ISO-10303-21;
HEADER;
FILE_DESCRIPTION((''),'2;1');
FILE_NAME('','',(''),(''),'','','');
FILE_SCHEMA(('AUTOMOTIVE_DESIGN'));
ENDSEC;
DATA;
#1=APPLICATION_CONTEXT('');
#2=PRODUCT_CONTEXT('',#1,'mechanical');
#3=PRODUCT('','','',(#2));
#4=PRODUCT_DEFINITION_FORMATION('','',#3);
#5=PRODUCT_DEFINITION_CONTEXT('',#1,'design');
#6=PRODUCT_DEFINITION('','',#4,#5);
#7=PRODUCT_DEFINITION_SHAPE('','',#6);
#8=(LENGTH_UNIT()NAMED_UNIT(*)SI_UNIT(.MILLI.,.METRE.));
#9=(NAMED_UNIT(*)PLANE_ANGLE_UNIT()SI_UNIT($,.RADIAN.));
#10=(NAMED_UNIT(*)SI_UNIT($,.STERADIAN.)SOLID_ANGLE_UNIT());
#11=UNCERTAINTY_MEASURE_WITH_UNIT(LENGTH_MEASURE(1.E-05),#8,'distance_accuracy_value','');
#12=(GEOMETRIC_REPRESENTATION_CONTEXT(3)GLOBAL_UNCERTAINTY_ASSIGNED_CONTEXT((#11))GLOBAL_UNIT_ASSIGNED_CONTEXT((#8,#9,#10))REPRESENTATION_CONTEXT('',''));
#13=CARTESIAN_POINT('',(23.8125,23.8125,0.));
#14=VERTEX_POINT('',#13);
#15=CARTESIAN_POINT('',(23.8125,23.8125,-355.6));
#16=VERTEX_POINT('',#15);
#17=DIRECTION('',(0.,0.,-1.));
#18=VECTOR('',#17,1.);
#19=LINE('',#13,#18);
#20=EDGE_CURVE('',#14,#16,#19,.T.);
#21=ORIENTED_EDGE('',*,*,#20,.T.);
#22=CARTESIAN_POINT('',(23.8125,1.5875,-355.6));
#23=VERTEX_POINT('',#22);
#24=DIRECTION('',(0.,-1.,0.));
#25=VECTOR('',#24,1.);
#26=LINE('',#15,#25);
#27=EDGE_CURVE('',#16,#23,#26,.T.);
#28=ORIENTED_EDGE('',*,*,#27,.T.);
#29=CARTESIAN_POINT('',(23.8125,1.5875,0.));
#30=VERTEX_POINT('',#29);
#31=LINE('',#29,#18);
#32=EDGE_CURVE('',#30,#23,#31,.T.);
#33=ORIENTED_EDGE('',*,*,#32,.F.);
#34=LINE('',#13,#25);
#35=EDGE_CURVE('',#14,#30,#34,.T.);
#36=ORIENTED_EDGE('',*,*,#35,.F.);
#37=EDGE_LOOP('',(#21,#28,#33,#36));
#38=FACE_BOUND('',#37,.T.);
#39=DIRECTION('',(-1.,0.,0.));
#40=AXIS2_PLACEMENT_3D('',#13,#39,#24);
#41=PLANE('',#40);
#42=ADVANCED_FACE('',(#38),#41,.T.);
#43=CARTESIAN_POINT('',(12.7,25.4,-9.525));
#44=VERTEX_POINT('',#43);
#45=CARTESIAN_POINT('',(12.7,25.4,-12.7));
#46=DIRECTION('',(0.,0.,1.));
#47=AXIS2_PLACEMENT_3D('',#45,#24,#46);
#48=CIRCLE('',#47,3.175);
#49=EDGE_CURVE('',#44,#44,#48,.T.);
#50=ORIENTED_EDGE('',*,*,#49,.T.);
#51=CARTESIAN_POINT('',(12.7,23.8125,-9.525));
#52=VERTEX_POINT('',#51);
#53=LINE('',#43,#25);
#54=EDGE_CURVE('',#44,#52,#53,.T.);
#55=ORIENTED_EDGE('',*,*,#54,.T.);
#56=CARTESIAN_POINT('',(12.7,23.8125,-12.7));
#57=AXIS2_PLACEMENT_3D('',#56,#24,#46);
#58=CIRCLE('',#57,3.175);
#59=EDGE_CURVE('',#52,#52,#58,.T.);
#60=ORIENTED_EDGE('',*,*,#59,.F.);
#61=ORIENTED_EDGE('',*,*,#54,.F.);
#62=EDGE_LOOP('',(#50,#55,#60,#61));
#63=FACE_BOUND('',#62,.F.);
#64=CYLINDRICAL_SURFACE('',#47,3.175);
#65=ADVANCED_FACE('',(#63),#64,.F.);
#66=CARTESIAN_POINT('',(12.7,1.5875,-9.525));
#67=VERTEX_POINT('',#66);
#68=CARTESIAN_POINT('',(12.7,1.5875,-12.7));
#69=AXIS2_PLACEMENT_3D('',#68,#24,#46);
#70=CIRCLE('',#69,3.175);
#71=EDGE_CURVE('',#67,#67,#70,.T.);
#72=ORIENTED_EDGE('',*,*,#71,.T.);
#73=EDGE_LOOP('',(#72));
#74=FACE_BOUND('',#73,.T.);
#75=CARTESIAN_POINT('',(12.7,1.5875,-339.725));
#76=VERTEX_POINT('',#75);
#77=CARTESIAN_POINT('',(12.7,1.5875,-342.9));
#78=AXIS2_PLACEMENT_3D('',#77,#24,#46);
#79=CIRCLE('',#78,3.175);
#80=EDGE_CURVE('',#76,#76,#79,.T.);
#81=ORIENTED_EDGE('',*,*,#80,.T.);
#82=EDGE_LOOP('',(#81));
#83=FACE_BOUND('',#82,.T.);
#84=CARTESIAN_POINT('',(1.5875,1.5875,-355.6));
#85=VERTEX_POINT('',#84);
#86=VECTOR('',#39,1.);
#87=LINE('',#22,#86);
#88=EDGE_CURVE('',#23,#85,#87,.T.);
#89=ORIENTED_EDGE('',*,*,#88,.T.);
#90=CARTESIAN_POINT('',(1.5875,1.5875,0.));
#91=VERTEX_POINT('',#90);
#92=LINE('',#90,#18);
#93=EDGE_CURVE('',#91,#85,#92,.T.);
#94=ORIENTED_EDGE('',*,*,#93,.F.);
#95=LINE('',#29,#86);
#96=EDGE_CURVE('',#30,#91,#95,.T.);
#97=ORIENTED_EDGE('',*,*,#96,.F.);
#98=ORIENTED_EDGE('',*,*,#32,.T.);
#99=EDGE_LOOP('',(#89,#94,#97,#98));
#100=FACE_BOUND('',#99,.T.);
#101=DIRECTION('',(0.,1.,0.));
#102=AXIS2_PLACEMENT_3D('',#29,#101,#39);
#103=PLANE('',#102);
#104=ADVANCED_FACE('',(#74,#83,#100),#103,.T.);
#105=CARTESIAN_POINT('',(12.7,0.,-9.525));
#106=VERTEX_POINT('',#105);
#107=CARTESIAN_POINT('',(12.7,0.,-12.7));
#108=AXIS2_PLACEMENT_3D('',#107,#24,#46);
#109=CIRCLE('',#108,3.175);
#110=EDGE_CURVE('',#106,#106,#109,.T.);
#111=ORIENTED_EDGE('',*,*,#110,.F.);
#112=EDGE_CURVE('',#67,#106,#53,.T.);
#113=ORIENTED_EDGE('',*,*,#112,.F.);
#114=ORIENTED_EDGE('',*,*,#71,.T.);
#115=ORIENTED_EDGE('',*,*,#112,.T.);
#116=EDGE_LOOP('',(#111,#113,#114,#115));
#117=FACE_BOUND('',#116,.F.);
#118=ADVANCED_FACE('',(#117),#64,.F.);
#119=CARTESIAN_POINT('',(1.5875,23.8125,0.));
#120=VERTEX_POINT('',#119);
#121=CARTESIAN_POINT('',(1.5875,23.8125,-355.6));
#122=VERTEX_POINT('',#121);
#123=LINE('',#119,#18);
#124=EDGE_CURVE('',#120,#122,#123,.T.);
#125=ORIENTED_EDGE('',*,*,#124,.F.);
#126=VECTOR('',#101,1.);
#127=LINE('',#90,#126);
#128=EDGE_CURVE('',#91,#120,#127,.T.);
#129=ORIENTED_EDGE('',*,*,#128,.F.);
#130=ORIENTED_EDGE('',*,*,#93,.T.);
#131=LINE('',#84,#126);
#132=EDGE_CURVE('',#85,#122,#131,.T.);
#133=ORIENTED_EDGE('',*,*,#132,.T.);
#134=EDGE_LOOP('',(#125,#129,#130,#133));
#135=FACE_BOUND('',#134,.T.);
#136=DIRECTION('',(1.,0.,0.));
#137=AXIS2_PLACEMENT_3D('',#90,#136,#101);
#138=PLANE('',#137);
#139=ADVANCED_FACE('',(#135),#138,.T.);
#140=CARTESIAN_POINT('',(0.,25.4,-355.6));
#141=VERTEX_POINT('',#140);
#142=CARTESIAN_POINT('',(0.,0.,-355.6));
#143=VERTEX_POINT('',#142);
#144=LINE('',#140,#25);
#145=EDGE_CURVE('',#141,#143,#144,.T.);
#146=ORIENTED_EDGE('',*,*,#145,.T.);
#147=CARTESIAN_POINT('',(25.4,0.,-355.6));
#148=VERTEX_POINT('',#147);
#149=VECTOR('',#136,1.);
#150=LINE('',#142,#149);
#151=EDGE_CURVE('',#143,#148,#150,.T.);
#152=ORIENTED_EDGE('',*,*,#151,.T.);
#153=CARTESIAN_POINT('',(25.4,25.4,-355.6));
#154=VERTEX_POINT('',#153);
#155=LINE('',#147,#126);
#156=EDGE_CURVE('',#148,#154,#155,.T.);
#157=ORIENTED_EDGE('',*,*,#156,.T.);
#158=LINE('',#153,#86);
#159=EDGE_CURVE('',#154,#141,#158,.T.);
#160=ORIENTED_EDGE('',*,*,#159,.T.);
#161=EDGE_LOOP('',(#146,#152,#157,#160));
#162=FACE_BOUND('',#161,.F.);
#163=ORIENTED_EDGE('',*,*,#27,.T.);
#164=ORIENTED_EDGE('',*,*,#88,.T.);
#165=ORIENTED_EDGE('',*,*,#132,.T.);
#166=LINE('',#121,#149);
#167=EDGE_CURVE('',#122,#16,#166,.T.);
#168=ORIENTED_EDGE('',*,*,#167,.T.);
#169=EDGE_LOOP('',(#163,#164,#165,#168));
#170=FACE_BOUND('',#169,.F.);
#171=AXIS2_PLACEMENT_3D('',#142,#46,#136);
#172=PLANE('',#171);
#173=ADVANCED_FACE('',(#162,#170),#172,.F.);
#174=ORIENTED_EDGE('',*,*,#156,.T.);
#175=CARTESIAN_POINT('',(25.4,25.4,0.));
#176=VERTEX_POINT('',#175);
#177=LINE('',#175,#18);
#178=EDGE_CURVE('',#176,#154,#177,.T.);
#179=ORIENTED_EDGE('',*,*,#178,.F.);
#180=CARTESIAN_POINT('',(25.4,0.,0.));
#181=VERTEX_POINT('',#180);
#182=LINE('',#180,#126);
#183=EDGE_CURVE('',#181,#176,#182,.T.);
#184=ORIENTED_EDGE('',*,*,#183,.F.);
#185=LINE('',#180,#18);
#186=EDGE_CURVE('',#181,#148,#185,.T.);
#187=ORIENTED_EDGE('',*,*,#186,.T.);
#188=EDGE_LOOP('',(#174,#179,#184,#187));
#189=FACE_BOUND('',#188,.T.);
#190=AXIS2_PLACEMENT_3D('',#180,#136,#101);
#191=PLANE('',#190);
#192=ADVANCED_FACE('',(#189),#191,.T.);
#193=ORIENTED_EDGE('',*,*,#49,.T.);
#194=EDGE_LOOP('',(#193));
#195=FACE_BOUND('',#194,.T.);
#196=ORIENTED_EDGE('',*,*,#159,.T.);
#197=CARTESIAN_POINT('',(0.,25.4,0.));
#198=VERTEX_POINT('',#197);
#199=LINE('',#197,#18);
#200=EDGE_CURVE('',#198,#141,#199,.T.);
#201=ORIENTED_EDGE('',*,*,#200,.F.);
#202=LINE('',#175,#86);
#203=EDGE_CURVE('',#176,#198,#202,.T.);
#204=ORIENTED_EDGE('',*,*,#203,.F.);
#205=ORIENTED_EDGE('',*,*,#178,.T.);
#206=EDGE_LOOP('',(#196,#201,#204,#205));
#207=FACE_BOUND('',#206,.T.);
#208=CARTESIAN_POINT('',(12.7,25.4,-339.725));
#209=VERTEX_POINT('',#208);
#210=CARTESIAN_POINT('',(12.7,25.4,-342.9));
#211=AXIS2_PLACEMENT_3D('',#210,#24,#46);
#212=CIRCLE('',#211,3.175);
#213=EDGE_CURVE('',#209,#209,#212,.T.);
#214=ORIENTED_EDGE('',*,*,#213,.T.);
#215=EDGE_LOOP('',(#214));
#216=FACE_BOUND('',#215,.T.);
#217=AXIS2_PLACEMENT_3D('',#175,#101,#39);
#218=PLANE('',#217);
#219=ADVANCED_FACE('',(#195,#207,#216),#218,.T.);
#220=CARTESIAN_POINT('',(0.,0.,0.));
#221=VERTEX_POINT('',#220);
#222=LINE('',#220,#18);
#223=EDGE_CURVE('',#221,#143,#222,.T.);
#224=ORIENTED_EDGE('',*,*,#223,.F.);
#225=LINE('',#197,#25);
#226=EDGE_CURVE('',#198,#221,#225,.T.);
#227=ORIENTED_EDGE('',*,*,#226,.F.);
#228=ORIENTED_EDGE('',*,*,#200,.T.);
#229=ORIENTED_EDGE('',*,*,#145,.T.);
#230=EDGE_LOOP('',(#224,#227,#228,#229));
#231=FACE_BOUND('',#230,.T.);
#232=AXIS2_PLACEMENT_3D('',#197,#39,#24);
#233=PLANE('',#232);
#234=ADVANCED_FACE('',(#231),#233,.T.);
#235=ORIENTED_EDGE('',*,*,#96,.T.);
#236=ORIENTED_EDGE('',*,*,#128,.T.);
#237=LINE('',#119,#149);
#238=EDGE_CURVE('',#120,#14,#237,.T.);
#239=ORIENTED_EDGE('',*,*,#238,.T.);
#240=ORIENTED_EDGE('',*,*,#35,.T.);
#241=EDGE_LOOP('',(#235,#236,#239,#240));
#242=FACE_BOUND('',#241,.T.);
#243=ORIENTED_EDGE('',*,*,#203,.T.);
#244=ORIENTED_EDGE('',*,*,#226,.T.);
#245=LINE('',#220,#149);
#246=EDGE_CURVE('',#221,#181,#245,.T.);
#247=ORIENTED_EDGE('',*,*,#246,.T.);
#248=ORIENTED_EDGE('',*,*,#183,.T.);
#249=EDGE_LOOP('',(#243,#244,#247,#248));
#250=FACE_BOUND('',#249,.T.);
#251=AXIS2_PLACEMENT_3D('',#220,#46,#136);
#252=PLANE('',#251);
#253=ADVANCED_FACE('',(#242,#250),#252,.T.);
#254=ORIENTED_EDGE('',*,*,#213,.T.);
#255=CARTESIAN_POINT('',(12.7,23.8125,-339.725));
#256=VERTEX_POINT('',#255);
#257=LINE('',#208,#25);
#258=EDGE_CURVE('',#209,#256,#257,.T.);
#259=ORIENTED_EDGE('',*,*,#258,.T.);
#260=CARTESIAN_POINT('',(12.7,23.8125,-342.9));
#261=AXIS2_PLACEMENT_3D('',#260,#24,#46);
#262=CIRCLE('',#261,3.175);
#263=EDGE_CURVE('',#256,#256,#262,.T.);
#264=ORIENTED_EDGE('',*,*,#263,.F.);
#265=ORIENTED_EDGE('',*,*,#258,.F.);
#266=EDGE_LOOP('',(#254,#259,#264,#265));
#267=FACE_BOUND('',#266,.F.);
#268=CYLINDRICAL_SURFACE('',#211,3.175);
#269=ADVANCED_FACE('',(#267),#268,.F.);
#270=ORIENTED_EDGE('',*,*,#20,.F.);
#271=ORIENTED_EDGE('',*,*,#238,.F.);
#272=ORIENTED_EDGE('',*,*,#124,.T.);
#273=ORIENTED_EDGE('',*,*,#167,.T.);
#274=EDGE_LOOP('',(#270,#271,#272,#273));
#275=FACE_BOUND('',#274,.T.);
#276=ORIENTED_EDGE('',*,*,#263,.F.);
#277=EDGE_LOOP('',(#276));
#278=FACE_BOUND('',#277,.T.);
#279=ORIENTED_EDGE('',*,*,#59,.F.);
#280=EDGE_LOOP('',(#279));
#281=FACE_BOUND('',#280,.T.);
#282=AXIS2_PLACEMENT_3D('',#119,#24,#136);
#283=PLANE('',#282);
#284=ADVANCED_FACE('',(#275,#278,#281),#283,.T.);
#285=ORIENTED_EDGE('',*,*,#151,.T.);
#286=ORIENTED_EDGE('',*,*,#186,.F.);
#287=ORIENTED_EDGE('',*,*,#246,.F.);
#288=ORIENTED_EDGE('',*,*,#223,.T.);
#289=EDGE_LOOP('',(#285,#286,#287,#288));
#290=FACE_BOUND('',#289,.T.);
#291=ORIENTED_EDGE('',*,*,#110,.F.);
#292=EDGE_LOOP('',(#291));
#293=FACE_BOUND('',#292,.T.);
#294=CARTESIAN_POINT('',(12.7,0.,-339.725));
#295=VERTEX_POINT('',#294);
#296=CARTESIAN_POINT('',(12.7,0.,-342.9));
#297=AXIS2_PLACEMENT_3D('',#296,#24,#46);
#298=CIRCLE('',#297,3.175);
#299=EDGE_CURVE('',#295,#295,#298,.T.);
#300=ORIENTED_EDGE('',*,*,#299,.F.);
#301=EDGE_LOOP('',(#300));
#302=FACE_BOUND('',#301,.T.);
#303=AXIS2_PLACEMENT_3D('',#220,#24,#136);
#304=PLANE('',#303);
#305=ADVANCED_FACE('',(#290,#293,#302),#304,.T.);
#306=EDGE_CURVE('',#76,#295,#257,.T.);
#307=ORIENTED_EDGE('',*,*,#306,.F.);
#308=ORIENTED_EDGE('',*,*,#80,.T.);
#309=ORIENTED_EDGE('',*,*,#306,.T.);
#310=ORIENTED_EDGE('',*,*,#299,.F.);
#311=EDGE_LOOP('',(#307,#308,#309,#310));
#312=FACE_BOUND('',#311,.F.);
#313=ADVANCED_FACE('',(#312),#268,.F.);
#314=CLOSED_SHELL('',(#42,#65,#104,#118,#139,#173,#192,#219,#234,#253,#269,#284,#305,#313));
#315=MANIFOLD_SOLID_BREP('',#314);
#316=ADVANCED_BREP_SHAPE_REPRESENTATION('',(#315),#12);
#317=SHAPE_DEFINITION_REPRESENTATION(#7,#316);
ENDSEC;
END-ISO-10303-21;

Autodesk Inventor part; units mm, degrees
ref_plane "YZ Plane" through (0, 0, 0) normal (1, 0, 0) x (0, 1, 0)
ref_plane "XZ Plane" through (0, 0, 0) normal (0, 1, 0) x (-1, 0, 0)
ref_plane "XY Plane" through (0, 0, 0) normal (0, 0, 1) x (1, 0, 0)
sketch "Sketch1" plane through (0, 0, 0) normal (0, 0, 1) x (1, 0, 0)
  line L0 (0, 0) -> (25.4, 0)
  line L1 (25.4, 0) -> (25.4, 25.4)
  line L2 (25.4, 25.4) -> (0, 25.4)
  line L3 (0, 25.4) -> (0, 0)
  line L4 (1.5875, 23.8125) -> (23.8125, 23.8125)
  line L5 (23.8125, 23.8125) -> (23.8125, 1.5875)
  line L6 (23.8125, 1.5875) -> (1.5875, 1.5875)
  line L7 (1.5875, 1.5875) -> (1.5875, 23.8125)
  dimension "d0" = 25.4
  dimension "d1" = 25.4
  dimension "d2" = 1.5875
extrude "Extrusion1" add sketch "Sketch1" against normal blind 355.6
sketch "Sketch2" plane through (0, 25.4, 0) normal (0, 1, 0) x (1, 0, 0)
  line L0 (25.4, 355.6) -> (0, 355.6) projected
  line L1 (0, 0) -> (0, 355.6) projected
  line L2 (25.4, 0) -> (0, 0) projected
  point P0 (12.7, 12.7)
  point P1 (12.7, 342.9)
  dimension "d5" = 12.7
  dimension "d6" = 12.7
  dimension "d7" = 12.7
hole "Hole1" at (12.7, 25.4, -12.7) at (12.7, 25.4, -342.9) direction (0, -1, 0) diameter 6.35 depth 25.4 tip angle 118
properties part number "tube_m_r_in_mid"
